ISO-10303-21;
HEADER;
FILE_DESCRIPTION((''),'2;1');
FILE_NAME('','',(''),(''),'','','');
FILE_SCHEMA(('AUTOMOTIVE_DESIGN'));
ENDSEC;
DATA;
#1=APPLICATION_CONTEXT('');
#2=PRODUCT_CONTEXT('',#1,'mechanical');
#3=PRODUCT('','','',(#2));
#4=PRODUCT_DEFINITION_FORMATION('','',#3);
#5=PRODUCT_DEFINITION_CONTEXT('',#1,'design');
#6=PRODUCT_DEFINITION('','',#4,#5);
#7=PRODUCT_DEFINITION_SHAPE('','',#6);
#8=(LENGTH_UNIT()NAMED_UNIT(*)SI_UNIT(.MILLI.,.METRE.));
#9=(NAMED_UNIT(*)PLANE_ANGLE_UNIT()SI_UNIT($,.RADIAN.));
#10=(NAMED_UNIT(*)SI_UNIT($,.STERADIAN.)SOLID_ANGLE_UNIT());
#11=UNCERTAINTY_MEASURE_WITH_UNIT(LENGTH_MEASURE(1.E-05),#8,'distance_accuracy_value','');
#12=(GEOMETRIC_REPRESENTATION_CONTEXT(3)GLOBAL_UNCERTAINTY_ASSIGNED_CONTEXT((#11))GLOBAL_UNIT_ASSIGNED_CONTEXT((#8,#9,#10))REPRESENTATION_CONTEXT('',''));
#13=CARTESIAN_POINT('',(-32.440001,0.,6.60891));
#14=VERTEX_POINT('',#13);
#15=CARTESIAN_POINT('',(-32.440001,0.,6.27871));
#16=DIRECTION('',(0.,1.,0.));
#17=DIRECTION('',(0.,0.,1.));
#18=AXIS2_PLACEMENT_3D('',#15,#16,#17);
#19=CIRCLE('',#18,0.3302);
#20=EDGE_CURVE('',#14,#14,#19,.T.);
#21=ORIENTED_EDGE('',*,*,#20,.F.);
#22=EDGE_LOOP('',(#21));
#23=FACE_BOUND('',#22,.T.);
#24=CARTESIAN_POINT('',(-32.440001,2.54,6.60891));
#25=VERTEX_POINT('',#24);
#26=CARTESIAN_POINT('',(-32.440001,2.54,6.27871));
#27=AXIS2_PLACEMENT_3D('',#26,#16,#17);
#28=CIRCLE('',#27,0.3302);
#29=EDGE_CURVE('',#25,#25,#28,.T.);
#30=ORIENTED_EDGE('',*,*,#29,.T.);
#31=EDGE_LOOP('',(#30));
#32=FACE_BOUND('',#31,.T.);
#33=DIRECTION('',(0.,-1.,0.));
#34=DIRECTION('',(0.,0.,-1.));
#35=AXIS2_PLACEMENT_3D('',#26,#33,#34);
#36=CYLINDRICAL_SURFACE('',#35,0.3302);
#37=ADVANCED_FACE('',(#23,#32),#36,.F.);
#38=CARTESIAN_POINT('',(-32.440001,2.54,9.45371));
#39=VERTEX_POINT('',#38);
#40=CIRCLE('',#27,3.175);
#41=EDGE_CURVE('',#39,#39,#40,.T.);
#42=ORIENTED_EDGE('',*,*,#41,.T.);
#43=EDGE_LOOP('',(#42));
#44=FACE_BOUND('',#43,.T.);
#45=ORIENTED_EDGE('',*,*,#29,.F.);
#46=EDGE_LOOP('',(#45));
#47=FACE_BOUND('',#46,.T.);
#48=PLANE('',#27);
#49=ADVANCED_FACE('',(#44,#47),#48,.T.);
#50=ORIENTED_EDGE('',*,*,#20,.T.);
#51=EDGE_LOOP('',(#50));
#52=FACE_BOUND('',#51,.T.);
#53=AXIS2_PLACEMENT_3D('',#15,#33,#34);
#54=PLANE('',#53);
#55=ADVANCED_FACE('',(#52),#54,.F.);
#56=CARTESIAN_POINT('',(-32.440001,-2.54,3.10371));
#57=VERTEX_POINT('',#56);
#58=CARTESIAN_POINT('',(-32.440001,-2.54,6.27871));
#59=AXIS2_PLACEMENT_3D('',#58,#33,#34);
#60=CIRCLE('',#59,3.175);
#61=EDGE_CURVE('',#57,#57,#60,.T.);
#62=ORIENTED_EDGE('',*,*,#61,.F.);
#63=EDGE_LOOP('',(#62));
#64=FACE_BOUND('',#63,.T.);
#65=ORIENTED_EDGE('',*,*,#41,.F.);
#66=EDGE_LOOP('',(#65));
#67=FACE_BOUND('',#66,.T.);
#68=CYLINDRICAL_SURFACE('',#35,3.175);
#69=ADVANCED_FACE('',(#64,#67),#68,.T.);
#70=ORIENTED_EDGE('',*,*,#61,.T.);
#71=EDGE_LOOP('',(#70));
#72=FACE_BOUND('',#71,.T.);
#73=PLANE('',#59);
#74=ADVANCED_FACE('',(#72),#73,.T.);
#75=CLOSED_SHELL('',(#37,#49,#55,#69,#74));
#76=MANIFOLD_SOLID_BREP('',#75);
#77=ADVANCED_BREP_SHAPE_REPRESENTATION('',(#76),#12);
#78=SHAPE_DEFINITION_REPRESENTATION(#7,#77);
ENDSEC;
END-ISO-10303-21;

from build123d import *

# Parameters (mm, degrees)
SKETCH1_R           = 3.175
SKETCH1_R_2         = 0.3302
BOSS_EXTRUDE2_DEPTH = 2.54
SKETCH3_R           = 3.175
BOSS_EXTRUDE3_DEPTH = 2.54


with BuildPart() as part:
    # Sketch1 → Boss-Extrude2 (new body)
    with BuildSketch(Plane(origin=(0, 0, 0), x_dir=(1, 0, 0), z_dir=(0, 1, 0))):
        with Locations((-32.44000105, -6.278709881)):
            Circle(SKETCH1_R)
        with Locations((-32.44000105, -6.278709881)):
            Circle(SKETCH1_R_2, mode=Mode.SUBTRACT)
    extrude(amount=BOSS_EXTRUDE2_DEPTH)

    # Sketch3 → Boss-Extrude3 (add)
    with BuildSketch(Plane.XZ):
        with Locations((-32.44000105, 6.278709881)):
            Circle(SKETCH3_R)
    extrude(amount=BOSS_EXTRUDE3_DEPTH)


solid = part.part
